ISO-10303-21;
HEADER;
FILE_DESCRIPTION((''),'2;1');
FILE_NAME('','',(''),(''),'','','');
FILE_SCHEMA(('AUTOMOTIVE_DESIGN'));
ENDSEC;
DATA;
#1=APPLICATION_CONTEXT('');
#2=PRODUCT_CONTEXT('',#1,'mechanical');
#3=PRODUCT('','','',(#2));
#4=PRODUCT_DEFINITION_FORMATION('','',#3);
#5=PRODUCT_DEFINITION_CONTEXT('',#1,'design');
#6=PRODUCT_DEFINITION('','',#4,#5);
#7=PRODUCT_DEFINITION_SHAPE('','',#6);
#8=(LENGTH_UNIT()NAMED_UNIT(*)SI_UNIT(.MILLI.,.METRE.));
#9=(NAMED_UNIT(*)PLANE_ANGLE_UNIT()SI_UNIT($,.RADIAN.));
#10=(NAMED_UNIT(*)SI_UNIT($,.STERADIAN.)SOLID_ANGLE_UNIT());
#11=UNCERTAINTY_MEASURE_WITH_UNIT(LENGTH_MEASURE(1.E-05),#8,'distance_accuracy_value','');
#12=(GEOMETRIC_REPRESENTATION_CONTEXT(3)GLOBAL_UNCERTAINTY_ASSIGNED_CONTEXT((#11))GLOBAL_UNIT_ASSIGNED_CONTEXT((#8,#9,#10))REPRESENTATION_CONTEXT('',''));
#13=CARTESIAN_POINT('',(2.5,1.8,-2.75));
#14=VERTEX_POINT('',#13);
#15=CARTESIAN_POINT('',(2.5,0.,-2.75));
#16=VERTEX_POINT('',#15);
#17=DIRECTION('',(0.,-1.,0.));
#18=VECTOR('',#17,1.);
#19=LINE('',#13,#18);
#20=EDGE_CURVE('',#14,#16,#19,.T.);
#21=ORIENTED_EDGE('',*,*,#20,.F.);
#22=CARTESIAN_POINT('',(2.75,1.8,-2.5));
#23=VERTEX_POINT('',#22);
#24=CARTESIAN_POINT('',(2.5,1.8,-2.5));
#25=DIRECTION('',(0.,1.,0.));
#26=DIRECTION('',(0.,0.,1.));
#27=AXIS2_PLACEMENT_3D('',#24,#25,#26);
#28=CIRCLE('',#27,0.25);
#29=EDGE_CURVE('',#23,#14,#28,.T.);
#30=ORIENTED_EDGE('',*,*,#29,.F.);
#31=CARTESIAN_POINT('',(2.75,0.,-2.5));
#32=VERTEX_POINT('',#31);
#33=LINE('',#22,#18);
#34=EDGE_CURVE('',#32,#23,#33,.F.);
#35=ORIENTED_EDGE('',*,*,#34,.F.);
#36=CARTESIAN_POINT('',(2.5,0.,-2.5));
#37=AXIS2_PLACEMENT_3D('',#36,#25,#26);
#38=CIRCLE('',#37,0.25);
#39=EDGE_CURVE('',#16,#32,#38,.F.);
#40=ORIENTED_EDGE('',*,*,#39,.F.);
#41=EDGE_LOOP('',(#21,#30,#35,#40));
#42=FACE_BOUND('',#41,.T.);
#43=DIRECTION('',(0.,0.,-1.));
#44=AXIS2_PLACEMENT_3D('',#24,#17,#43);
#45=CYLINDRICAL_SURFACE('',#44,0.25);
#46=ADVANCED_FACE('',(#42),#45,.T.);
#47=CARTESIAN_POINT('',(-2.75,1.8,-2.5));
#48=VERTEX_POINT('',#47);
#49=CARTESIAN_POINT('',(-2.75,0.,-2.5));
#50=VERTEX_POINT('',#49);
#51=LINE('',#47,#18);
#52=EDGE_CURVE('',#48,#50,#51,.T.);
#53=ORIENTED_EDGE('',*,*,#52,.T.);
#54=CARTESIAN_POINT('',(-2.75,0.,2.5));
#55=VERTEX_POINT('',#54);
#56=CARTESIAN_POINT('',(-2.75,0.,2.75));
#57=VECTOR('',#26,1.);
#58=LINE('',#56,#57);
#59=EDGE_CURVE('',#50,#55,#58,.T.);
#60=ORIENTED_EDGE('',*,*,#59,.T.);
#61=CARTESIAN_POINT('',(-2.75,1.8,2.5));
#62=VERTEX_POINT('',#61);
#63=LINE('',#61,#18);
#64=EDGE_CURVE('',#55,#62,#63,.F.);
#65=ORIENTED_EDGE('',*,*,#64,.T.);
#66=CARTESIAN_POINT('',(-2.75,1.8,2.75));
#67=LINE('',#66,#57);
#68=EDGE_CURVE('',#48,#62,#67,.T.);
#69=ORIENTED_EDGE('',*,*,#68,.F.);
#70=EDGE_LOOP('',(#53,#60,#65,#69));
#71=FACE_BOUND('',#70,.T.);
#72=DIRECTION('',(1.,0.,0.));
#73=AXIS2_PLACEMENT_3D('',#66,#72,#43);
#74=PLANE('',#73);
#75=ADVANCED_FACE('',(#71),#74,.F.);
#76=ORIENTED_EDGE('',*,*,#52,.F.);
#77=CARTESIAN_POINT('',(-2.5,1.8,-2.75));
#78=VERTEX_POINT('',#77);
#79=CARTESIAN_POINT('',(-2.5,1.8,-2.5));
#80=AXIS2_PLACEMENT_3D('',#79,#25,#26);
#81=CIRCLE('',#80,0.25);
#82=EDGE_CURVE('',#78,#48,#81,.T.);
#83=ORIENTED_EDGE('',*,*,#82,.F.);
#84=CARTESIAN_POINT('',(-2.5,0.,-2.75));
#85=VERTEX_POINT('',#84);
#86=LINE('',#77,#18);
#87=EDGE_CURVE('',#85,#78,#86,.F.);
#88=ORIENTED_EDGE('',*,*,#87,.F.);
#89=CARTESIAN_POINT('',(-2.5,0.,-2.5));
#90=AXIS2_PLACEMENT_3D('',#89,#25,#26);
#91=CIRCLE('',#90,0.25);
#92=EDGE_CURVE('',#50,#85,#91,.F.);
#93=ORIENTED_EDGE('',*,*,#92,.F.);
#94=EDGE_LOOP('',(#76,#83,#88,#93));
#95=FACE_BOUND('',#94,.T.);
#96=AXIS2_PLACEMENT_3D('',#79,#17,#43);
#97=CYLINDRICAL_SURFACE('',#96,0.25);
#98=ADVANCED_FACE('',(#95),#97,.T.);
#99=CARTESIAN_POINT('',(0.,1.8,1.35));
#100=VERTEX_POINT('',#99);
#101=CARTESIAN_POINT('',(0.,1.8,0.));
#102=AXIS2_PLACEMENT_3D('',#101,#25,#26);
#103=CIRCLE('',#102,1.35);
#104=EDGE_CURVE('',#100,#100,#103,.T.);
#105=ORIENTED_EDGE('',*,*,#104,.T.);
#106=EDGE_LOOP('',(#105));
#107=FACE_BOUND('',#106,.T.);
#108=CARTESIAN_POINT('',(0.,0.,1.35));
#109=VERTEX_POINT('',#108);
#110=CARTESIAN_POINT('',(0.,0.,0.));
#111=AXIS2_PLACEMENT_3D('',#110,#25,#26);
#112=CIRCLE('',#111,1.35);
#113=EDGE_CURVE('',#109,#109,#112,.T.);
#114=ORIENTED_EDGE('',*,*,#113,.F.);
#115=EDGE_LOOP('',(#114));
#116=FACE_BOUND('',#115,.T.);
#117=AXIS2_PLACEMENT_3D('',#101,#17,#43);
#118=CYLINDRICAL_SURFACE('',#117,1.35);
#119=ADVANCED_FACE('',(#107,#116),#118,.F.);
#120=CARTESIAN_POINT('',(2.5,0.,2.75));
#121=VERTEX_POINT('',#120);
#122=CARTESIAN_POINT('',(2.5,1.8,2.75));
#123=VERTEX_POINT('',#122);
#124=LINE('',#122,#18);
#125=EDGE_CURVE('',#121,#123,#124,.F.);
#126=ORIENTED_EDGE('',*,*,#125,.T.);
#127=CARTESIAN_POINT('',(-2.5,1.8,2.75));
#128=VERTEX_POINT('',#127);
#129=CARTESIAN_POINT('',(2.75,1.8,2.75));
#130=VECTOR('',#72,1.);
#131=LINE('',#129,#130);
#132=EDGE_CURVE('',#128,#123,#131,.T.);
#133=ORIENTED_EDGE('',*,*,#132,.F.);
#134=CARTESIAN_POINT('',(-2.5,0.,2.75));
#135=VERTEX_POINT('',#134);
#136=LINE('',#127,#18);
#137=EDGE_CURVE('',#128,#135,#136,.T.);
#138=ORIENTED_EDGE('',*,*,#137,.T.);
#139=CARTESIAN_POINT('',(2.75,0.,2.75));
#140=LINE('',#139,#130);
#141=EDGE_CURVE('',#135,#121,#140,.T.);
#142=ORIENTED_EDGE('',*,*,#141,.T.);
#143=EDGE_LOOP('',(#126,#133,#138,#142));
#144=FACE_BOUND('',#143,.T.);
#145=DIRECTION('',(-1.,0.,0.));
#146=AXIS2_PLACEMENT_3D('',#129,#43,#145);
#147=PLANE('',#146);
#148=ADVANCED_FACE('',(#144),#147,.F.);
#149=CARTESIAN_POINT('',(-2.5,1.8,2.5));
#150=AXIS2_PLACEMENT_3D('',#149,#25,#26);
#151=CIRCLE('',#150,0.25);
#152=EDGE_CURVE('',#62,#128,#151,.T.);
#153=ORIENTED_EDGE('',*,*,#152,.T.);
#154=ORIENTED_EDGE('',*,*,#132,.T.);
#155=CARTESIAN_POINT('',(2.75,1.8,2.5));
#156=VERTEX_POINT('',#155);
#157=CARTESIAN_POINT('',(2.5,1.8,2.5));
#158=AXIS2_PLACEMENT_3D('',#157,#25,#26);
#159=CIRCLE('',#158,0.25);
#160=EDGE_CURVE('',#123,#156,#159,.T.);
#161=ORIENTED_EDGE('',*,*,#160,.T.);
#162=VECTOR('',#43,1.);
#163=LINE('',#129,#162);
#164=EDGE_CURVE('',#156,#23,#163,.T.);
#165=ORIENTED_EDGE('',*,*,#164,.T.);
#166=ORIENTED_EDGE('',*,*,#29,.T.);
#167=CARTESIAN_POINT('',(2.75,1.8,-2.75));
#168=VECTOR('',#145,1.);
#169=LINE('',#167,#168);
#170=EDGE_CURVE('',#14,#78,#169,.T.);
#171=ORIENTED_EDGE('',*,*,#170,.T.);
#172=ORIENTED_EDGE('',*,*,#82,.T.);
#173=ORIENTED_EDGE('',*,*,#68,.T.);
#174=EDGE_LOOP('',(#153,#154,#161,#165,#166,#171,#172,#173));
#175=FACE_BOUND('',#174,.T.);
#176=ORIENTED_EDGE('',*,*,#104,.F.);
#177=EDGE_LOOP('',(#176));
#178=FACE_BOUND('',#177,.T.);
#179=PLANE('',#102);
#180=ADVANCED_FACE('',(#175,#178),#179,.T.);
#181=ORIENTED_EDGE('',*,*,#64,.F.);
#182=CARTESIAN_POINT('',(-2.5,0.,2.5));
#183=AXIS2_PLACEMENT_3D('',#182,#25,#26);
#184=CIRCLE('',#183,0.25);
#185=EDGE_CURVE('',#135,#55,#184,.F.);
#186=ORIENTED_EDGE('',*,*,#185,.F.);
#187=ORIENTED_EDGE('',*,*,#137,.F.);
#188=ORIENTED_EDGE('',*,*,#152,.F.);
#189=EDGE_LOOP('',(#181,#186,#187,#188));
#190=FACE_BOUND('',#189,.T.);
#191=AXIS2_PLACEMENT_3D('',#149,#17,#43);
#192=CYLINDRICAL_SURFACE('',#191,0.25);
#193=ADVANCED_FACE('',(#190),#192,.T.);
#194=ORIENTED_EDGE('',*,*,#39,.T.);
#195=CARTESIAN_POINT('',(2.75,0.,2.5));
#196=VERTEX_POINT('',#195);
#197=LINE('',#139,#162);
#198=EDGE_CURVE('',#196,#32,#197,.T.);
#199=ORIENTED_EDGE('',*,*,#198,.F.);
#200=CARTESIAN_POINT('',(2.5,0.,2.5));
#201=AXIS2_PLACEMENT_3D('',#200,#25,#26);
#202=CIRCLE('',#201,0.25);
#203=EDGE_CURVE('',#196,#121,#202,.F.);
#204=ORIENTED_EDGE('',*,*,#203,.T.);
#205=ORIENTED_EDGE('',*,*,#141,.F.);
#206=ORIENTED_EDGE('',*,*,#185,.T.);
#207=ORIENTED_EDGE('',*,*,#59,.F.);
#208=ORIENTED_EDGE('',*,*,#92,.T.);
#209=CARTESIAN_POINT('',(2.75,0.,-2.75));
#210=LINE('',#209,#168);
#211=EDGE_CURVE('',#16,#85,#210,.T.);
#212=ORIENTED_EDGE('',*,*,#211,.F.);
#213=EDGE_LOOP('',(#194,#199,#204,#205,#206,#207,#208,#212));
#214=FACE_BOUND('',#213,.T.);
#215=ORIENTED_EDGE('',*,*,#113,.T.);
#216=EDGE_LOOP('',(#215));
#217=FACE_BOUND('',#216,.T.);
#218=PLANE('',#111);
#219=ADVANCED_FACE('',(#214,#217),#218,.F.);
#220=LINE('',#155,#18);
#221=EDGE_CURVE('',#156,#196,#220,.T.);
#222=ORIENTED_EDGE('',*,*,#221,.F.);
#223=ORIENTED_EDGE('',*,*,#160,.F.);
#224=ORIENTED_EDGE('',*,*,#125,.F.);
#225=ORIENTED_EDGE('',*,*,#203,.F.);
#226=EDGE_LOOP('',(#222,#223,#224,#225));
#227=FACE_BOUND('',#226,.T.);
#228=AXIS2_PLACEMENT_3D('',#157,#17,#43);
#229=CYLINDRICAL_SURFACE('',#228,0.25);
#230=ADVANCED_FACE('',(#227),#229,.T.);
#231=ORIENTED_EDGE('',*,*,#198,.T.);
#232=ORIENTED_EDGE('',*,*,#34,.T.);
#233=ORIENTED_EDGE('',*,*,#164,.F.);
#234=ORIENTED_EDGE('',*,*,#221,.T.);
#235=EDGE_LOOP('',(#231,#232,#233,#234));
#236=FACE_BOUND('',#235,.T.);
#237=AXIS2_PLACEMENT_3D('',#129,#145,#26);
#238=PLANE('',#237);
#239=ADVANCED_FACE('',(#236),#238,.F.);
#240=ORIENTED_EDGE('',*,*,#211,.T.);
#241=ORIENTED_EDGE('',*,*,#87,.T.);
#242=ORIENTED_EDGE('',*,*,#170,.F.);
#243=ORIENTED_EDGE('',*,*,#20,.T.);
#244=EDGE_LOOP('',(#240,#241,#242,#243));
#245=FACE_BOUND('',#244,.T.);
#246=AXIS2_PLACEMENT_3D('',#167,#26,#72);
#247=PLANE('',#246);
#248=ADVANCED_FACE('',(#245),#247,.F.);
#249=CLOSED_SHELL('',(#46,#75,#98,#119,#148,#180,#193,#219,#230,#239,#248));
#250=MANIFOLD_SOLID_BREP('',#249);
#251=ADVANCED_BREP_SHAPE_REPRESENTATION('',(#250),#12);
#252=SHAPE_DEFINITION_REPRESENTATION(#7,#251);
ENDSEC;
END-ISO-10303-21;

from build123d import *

# Parameters (mm, degrees)
SKETCH1_W           = 5.5
SKETCH1_H           = 5.5
SKETCH1_R           = 1.35
BOSS_EXTRUDE1_DEPTH = 1.8
FILLET1_R           = 0.25


with BuildPart() as part:
    # Sketch1 → Boss-Extrude1 (new body)
    with BuildSketch(Plane(origin=(0, 0, 0), x_dir=(1, 0, 0), z_dir=(0, 1, 0))):
        Rectangle(SKETCH1_W, SKETCH1_H)
        with Locations(Location((0, 0, 0), (0, 0, 270))):
            Circle(SKETCH1_R, mode=Mode.SUBTRACT)
    extrude(amount=BOSS_EXTRUDE1_DEPTH)

    # Fillet1
    fillet1_edges = [part.edges().sort_by_distance(p)[0] for p in [
        (-2.75, 0.9, -2.75),
        (2.75, 0.9, -2.75),
        (2.75, 0.9, 2.75),
        (-2.75, 0.9, 2.75),
    ]]
    fillet(fillet1_edges, radius=FILLET1_R)


solid = part.part
